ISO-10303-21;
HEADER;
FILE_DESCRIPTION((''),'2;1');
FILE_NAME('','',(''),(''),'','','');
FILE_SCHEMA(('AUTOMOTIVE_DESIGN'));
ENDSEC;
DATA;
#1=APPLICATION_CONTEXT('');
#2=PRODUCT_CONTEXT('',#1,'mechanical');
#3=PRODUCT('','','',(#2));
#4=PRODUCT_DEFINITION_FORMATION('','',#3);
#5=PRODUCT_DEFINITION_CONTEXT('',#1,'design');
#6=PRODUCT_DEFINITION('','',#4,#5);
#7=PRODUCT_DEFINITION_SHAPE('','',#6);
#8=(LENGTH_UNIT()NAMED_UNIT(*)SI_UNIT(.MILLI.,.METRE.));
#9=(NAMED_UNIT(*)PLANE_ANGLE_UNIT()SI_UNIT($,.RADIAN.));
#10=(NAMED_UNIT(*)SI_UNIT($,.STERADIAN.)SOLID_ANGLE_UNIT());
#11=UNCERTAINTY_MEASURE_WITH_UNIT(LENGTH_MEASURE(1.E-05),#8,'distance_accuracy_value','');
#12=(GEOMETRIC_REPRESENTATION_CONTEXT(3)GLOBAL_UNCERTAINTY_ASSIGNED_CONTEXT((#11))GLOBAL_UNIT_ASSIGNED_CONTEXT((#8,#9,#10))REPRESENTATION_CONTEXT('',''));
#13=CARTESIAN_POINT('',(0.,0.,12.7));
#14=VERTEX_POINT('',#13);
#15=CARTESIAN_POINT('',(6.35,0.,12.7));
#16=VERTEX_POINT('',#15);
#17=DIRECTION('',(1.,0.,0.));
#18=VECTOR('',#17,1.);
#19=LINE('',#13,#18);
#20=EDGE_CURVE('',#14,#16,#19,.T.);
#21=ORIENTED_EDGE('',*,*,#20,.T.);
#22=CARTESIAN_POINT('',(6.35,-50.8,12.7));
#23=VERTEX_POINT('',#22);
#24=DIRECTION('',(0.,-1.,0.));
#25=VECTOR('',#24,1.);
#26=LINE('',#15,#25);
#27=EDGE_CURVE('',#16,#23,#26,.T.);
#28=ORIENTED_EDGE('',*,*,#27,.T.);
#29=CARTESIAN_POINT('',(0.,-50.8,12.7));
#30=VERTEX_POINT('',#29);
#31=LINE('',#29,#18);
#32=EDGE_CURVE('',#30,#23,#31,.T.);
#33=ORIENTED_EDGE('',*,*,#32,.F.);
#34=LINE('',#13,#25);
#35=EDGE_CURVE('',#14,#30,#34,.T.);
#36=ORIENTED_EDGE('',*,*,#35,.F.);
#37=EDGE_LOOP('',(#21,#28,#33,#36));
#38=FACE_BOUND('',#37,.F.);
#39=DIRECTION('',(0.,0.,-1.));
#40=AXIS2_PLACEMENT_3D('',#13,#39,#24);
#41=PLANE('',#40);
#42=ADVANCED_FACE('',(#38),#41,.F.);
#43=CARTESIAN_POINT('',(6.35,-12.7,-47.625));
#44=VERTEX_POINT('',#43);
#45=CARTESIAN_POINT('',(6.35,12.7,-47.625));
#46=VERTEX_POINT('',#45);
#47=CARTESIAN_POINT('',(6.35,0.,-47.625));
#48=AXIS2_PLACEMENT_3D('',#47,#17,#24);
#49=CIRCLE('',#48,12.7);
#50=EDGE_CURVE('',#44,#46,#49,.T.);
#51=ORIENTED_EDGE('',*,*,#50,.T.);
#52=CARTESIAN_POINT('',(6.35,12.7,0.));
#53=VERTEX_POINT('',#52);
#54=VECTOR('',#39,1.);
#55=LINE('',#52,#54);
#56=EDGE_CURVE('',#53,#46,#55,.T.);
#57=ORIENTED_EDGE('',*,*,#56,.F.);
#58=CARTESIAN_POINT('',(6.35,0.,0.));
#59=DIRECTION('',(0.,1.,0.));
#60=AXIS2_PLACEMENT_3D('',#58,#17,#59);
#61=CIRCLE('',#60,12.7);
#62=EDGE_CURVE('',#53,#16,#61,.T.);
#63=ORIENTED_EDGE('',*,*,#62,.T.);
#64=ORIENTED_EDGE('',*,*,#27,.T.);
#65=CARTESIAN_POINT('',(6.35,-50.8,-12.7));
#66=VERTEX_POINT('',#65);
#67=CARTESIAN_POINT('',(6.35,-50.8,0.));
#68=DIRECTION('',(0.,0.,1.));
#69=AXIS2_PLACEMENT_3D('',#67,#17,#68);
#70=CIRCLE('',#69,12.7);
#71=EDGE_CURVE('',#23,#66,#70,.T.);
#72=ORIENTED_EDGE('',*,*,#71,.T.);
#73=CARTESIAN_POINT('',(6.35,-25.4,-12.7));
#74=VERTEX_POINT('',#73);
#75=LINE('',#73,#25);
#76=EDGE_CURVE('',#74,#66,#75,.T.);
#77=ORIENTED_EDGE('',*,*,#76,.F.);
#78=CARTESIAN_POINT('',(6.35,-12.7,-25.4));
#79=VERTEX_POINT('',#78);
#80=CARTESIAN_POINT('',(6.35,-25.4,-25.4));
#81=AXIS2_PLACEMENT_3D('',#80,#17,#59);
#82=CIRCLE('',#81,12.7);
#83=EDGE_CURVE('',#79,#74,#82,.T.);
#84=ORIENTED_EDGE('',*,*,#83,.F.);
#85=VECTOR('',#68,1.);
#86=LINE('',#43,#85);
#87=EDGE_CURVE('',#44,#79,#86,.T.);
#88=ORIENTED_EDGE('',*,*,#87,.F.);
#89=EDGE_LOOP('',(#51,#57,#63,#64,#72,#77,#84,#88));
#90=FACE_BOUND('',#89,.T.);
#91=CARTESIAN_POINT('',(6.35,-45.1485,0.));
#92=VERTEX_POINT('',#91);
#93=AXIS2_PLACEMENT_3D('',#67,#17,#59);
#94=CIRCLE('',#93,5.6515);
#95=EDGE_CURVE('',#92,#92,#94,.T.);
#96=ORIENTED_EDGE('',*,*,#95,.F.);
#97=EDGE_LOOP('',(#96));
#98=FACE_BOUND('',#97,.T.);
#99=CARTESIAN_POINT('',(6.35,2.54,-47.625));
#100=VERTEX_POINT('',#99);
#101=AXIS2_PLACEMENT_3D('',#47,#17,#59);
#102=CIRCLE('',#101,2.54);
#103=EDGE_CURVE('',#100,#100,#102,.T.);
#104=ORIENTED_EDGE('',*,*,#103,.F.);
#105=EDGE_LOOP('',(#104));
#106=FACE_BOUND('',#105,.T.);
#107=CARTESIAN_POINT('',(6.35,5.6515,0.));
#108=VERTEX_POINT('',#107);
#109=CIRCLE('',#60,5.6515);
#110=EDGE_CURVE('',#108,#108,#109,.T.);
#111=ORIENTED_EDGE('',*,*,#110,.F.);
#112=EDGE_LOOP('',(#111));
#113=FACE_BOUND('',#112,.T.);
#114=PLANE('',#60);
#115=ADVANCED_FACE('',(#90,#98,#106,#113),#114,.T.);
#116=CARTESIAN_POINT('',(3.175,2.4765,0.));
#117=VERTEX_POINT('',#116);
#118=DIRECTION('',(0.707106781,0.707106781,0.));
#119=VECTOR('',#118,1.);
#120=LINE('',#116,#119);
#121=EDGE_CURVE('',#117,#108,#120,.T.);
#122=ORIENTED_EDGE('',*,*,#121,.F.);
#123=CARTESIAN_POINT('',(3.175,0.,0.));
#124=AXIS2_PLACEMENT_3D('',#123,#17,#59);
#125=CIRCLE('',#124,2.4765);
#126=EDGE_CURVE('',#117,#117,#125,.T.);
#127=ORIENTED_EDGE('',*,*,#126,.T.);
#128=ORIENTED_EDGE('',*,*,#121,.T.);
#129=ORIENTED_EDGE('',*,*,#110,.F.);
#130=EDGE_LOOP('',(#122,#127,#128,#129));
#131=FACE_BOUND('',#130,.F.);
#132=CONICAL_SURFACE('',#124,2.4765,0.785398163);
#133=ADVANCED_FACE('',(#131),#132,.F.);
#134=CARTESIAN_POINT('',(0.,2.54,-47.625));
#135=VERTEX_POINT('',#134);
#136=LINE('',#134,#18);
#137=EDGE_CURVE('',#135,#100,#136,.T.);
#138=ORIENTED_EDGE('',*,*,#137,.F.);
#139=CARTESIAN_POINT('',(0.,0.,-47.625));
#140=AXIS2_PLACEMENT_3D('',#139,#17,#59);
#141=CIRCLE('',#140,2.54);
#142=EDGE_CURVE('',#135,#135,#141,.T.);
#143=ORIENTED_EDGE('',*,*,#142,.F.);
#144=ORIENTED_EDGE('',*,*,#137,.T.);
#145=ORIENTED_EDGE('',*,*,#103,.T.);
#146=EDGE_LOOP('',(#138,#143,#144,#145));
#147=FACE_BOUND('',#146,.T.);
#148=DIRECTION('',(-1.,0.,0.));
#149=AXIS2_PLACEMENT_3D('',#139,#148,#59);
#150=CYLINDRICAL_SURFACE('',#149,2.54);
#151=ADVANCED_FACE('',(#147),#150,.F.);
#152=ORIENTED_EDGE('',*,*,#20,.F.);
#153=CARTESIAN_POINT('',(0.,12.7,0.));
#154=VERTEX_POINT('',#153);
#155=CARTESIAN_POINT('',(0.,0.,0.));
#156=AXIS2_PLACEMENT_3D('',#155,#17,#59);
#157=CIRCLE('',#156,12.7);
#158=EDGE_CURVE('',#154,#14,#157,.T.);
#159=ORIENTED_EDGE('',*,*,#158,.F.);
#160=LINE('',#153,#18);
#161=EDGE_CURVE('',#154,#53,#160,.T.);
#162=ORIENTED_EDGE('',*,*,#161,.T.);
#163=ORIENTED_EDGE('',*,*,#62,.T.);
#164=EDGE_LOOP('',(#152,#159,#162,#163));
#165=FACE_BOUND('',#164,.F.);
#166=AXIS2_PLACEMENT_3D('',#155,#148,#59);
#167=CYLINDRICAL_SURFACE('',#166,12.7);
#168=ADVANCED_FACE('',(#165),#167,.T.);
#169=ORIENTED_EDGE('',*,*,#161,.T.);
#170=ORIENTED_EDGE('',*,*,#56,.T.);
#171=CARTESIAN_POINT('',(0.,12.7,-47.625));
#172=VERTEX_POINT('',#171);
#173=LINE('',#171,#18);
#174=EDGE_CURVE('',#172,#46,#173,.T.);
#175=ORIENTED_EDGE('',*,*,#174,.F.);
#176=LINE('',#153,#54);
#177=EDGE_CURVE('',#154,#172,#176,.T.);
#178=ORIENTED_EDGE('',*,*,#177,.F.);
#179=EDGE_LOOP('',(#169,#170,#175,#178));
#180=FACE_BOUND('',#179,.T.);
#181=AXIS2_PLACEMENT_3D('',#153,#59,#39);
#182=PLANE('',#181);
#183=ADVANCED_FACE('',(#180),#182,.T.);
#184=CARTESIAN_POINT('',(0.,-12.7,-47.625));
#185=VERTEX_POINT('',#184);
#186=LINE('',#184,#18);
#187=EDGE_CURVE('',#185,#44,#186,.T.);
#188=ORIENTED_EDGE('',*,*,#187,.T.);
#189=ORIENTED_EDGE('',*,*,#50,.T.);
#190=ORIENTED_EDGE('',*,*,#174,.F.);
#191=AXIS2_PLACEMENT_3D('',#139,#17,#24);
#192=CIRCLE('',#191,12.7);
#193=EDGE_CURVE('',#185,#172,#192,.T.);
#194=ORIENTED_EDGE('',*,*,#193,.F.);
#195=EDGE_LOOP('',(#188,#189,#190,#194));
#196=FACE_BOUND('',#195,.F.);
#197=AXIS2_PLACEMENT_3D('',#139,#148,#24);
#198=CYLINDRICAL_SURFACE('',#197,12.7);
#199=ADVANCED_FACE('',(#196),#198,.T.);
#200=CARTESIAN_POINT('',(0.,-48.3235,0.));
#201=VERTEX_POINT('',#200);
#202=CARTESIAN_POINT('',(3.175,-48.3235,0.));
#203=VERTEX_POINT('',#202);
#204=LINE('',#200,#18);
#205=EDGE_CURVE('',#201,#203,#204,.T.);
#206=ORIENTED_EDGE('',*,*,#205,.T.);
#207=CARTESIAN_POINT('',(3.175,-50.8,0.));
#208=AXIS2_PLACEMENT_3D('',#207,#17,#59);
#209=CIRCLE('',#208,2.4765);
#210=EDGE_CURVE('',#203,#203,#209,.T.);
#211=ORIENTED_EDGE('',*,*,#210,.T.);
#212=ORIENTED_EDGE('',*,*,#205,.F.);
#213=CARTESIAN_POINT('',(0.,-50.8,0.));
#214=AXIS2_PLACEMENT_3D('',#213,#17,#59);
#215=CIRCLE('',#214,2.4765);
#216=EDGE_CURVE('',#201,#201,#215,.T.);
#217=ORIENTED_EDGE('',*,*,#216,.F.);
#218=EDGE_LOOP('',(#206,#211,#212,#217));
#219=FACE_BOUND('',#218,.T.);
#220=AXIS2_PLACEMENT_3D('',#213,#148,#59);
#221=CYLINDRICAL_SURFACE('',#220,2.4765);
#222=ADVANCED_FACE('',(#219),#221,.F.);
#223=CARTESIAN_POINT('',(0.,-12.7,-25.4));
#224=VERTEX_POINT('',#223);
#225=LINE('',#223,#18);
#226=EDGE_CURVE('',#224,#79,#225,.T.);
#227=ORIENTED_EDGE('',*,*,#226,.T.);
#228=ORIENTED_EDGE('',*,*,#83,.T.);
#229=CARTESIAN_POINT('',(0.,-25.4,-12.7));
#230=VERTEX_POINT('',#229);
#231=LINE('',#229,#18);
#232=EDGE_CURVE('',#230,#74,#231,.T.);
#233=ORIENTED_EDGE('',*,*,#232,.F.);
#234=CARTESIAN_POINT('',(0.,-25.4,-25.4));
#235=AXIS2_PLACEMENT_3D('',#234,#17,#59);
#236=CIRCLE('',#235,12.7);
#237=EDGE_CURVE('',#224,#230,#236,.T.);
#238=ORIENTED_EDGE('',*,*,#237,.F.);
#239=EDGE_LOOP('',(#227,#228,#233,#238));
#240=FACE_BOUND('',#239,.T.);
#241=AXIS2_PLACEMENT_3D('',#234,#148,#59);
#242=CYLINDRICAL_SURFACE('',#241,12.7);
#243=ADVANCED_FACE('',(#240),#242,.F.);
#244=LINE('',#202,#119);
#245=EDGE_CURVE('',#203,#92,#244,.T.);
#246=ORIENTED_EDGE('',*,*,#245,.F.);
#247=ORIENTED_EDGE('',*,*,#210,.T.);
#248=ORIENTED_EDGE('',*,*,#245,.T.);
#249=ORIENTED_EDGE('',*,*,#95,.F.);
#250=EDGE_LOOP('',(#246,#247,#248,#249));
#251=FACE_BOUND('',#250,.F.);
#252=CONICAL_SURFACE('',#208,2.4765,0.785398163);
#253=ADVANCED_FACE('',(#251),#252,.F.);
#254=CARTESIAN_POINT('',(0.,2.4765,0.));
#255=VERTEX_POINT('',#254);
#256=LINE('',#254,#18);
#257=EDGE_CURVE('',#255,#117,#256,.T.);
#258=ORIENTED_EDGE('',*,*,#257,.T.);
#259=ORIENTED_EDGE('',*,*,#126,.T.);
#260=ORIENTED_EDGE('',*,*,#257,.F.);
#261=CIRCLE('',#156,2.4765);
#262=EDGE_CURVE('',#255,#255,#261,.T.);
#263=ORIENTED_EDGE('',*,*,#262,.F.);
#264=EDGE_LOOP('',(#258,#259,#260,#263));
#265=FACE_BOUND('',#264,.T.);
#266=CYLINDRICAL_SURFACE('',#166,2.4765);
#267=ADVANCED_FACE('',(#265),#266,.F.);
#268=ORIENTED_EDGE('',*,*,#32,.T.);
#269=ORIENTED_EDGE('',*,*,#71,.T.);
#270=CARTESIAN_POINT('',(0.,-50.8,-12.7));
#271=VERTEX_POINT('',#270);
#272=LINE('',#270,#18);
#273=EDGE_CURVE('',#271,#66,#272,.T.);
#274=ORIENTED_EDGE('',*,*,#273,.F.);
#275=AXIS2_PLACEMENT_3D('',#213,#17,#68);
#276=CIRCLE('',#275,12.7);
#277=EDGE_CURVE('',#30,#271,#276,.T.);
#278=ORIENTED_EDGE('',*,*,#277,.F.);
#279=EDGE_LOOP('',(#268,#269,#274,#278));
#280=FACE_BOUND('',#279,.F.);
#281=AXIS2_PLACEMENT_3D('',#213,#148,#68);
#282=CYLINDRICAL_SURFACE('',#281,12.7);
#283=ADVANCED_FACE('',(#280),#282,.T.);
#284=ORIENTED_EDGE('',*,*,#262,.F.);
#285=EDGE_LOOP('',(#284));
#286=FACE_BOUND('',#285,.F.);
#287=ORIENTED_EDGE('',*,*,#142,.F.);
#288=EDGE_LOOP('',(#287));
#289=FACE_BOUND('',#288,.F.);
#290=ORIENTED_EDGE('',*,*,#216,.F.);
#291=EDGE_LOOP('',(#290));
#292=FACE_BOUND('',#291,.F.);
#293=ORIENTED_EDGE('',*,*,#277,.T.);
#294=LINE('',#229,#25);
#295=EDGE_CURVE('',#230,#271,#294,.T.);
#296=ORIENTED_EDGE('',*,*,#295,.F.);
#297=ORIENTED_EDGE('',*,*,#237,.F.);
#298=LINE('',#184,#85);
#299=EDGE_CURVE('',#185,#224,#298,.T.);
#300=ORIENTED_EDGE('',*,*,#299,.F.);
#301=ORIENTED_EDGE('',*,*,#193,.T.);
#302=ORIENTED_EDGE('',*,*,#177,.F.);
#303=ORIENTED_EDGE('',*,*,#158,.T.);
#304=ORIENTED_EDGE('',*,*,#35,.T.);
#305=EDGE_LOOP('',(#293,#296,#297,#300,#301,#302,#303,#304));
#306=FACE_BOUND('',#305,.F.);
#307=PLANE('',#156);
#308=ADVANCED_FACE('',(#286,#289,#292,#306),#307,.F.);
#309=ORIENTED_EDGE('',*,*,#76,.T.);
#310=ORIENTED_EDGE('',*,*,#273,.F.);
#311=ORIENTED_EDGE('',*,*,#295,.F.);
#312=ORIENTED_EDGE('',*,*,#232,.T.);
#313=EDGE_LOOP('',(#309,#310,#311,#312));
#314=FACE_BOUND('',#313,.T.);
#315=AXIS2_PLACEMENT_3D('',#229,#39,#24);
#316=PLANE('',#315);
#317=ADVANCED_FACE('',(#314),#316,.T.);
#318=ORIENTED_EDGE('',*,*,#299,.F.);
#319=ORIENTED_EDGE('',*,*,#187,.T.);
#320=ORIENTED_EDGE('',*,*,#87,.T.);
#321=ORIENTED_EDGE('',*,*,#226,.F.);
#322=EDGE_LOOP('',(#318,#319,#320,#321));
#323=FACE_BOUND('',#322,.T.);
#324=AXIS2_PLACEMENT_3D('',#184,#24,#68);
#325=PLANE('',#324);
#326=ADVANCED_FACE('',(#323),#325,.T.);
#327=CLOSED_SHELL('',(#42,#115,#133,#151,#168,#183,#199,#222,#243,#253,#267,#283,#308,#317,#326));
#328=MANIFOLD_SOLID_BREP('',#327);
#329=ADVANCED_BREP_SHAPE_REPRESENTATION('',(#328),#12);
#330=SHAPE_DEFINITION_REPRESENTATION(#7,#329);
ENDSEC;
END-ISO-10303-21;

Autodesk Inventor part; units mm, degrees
ref_plane "YZ Plane" through (0, 0, 0) normal (1, 0, 0) x (0, 1, 0)
ref_plane "XZ Plane" through (0, 0, 0) normal (0, 1, 0) x (-1, 0, 0)
ref_plane "XY Plane" through (0, 0, 0) normal (0, 0, 1) x (1, 0, 0)
sketch "Sketch1" plane through (0, 0, 0) normal (1, 0, 0) x (0, 1, 0)
  circle A0 centre (0, 0) radius 2.4765
  circle A1 centre (-50.8, 0) radius 2.4765
  circle A2 centre (0, -47.625) radius 2.54
  line L0 (0, 0) -> (-50.8, 0) construction
  line L1 (0, -47.625) -> (0, 0) construction
  arc A3 (-50.8, 12.7) -> (-50.8, -12.7) centre (-50.8, 0) ccw
  arc A4 (12.7, 0) -> (0, 12.7) centre (0, 0) ccw
  arc A5 (-12.7, -47.625) -> (12.7, -47.625) centre (0, -47.625) ccw
  arc A6 (-12.7, -25.4) -> (-25.4, -12.7) centre (-25.4, -25.4) ccw
  line L2 (0, 12.7) -> (-50.8, 12.7)
  line L3 (12.7, 0) -> (12.7, -47.625)
  line L4 (-12.7, -47.625) -> (-12.7, -25.4)
  line L5 (-25.4, -12.7) -> (-50.8, -12.7)
  dimension "d0" = 4.953
  dimension "d1" = 50.8
  dimension "d2" = 47.625
  dimension "d3" = 25.4
  dimension "d9" = 5.08
extrude "Extrusion1" add sketch "Sketch1" along normal blind 6.35
chamfer "Chamfer1" distance 3.175 angle 45 2 edges at (6.35, -2.4765, 0) (6.35, -53.2765, 0)
properties part number "upper anchor" material "Aluminum 6061"
